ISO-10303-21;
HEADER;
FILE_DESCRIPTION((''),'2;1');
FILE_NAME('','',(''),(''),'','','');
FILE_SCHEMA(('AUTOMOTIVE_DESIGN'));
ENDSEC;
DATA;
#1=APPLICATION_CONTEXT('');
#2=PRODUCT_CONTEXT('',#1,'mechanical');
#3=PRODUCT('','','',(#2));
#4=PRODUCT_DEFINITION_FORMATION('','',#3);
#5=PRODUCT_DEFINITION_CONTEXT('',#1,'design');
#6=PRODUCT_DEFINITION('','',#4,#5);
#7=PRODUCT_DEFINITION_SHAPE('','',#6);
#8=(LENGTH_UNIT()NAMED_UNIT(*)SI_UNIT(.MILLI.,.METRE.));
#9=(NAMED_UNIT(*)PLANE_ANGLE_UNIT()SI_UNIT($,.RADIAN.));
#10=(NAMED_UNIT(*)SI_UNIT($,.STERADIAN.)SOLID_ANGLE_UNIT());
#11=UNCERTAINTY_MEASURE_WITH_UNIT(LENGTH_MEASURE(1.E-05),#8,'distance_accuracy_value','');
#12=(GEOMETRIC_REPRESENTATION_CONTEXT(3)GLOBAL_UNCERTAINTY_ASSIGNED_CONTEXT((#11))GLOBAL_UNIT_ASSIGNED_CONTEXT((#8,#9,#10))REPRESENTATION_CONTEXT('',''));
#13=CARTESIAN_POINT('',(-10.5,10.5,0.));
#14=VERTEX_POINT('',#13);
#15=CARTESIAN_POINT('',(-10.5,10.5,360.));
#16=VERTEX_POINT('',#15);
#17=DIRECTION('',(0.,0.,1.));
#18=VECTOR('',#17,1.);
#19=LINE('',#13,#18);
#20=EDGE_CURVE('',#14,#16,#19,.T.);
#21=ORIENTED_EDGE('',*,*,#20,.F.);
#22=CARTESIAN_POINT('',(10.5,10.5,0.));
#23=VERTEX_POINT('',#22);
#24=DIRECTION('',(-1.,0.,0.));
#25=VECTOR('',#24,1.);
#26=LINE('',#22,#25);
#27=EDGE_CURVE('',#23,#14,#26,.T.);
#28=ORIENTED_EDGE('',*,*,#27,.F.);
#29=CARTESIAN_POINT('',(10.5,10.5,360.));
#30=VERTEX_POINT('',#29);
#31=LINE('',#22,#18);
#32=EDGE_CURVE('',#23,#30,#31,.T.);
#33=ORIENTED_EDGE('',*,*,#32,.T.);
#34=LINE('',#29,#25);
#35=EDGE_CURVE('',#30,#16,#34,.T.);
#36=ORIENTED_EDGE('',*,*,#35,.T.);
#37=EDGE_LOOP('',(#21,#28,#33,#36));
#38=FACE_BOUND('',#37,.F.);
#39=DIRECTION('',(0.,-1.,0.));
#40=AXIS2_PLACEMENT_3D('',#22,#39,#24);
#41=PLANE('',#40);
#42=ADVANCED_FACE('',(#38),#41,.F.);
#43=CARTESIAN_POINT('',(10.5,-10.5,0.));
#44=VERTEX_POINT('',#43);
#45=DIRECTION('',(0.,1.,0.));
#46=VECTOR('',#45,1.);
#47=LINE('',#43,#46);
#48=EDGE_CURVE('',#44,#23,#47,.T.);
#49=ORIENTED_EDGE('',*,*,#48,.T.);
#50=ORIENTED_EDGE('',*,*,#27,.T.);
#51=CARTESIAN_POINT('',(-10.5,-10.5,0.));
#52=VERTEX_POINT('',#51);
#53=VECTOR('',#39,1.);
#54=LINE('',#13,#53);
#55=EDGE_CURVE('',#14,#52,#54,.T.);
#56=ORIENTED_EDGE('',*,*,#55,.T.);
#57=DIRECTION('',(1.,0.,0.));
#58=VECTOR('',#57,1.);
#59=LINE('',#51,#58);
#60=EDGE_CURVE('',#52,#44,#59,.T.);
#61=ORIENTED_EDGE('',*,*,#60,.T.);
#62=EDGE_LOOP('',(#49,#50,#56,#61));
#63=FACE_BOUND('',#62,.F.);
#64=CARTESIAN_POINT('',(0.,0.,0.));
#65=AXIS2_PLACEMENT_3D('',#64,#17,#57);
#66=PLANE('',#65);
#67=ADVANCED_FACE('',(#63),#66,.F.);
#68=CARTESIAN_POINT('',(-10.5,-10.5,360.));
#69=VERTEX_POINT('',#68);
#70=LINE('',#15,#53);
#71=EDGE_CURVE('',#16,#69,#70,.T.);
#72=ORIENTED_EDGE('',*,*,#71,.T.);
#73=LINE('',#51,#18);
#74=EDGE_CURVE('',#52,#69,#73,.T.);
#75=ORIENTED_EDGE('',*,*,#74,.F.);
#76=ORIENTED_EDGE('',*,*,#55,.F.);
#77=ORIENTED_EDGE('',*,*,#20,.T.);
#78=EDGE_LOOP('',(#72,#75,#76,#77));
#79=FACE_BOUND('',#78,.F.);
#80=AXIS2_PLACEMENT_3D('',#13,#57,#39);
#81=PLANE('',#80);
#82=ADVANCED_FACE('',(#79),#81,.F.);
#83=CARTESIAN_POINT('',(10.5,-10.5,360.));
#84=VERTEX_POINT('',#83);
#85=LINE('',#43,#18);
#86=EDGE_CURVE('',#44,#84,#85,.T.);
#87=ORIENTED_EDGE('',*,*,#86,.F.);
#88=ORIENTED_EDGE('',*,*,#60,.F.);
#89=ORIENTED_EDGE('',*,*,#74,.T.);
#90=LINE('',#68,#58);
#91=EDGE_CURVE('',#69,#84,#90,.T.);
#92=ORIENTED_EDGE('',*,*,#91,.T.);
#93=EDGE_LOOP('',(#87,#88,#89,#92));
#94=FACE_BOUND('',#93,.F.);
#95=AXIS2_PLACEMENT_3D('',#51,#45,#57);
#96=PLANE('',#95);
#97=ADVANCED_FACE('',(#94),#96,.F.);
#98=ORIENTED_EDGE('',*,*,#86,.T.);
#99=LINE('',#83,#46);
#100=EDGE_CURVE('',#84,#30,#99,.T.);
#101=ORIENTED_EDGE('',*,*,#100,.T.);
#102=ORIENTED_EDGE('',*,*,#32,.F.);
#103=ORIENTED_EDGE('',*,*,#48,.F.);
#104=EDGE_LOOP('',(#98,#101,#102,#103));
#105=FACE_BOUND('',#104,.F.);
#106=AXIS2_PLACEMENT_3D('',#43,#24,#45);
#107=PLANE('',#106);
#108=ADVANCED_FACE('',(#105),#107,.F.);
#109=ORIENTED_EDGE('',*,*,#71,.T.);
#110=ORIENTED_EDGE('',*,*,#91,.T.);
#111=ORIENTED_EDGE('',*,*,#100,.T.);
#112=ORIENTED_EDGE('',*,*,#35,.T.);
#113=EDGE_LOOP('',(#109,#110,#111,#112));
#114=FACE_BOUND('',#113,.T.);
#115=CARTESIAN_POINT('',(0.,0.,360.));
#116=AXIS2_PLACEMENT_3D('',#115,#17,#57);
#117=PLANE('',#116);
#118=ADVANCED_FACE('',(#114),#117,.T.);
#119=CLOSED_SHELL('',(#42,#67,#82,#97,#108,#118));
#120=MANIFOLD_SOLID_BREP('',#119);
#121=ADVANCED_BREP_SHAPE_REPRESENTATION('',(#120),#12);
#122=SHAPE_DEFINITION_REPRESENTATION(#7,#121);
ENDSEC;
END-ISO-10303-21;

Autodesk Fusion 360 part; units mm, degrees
sketch "Sketch1" plane through (0, 0, 0) normal (0, 0, 1) x (1, 0, 0)
  line L0 (-10.5, -10.5) -> (10.5, -10.5)
  line L1 (10.5, -10.5) -> (10.5, 10.5)
  line L2 (10.5, 10.5) -> (-10.5, 10.5)
  line L3 (-10.5, 10.5) -> (-10.5, -10.5)
extrude "Extrude1" add sketch "Sketch1" along normal blind 360
